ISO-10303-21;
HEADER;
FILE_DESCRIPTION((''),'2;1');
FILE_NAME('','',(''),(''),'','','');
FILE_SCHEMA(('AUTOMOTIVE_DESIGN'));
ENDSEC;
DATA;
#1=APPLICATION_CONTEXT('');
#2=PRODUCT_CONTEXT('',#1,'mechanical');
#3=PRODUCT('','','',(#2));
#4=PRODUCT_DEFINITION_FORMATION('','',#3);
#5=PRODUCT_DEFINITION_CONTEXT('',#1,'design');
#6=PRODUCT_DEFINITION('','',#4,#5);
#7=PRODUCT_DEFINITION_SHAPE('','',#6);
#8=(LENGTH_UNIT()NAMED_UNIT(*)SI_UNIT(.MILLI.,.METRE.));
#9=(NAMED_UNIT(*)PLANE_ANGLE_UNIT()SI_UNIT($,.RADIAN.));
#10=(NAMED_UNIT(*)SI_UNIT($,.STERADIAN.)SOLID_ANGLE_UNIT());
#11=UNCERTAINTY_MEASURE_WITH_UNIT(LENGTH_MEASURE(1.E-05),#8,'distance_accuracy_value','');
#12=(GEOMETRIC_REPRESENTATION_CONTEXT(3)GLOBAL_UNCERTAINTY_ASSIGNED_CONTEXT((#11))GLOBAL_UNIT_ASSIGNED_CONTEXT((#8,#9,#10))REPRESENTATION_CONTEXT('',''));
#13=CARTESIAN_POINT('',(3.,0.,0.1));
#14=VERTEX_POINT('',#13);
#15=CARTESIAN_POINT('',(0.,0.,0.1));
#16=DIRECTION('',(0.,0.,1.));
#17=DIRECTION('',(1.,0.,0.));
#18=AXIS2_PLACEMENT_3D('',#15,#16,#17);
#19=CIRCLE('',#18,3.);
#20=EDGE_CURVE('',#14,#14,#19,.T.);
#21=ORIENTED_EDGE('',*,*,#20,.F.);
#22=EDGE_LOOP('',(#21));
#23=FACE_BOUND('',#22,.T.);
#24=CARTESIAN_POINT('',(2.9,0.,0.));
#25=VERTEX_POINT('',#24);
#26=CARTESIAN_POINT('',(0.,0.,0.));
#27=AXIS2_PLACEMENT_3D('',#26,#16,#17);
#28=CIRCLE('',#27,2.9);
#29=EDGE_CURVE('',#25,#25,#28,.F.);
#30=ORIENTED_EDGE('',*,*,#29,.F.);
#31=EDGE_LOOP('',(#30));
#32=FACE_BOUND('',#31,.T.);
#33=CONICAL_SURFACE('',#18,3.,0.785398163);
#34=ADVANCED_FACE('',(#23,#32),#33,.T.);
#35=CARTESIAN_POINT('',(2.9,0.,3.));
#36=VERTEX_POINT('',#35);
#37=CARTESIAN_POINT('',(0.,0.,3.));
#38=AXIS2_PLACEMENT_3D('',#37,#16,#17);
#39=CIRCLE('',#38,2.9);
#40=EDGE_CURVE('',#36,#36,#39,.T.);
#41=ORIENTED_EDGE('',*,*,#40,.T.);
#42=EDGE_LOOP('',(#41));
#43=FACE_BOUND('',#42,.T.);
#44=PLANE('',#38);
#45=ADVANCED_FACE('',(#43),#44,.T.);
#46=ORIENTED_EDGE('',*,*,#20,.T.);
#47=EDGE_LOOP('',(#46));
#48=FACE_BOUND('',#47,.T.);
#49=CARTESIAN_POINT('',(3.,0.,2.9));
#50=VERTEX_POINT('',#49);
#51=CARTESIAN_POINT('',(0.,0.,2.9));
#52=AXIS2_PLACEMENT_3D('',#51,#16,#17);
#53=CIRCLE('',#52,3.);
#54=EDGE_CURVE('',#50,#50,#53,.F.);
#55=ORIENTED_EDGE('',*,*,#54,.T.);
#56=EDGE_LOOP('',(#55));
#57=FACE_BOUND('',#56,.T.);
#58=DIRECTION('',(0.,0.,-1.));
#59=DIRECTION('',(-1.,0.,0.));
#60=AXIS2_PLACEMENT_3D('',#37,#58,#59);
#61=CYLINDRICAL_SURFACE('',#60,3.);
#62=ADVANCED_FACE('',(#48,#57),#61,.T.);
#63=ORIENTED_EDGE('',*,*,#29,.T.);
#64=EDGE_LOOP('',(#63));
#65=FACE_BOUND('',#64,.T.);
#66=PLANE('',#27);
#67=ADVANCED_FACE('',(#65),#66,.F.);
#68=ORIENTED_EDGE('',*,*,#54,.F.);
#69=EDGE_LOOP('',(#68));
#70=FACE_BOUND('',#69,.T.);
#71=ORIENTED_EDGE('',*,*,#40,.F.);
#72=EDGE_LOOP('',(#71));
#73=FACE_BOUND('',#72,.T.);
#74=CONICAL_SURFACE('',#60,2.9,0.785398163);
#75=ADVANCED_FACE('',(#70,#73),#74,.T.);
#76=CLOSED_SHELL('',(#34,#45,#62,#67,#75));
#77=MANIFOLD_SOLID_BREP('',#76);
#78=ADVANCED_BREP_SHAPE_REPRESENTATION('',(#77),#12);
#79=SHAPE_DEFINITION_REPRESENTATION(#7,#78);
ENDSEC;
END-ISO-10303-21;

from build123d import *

# Parameters (mm, degrees)
SKETCH1_R           = 3
BOSS_EXTRUDE1_DEPTH = 3
CHAMFER1_SIZE       = 0.1


with BuildPart() as part:
    # Sketch1 → Boss-Extrude1 (new body)
    with BuildSketch(Plane.XY):
        Circle(SKETCH1_R)
    extrude(amount=BOSS_EXTRUDE1_DEPTH)

    # Chamfer1
    chamfer1_edges = [part.edges().sort_by_distance(p)[0] for p in [
        (-3, 0, 0),
        (-3, 0, 3),
    ]]
    chamfer(chamfer1_edges, length=CHAMFER1_SIZE)


solid = part.part
